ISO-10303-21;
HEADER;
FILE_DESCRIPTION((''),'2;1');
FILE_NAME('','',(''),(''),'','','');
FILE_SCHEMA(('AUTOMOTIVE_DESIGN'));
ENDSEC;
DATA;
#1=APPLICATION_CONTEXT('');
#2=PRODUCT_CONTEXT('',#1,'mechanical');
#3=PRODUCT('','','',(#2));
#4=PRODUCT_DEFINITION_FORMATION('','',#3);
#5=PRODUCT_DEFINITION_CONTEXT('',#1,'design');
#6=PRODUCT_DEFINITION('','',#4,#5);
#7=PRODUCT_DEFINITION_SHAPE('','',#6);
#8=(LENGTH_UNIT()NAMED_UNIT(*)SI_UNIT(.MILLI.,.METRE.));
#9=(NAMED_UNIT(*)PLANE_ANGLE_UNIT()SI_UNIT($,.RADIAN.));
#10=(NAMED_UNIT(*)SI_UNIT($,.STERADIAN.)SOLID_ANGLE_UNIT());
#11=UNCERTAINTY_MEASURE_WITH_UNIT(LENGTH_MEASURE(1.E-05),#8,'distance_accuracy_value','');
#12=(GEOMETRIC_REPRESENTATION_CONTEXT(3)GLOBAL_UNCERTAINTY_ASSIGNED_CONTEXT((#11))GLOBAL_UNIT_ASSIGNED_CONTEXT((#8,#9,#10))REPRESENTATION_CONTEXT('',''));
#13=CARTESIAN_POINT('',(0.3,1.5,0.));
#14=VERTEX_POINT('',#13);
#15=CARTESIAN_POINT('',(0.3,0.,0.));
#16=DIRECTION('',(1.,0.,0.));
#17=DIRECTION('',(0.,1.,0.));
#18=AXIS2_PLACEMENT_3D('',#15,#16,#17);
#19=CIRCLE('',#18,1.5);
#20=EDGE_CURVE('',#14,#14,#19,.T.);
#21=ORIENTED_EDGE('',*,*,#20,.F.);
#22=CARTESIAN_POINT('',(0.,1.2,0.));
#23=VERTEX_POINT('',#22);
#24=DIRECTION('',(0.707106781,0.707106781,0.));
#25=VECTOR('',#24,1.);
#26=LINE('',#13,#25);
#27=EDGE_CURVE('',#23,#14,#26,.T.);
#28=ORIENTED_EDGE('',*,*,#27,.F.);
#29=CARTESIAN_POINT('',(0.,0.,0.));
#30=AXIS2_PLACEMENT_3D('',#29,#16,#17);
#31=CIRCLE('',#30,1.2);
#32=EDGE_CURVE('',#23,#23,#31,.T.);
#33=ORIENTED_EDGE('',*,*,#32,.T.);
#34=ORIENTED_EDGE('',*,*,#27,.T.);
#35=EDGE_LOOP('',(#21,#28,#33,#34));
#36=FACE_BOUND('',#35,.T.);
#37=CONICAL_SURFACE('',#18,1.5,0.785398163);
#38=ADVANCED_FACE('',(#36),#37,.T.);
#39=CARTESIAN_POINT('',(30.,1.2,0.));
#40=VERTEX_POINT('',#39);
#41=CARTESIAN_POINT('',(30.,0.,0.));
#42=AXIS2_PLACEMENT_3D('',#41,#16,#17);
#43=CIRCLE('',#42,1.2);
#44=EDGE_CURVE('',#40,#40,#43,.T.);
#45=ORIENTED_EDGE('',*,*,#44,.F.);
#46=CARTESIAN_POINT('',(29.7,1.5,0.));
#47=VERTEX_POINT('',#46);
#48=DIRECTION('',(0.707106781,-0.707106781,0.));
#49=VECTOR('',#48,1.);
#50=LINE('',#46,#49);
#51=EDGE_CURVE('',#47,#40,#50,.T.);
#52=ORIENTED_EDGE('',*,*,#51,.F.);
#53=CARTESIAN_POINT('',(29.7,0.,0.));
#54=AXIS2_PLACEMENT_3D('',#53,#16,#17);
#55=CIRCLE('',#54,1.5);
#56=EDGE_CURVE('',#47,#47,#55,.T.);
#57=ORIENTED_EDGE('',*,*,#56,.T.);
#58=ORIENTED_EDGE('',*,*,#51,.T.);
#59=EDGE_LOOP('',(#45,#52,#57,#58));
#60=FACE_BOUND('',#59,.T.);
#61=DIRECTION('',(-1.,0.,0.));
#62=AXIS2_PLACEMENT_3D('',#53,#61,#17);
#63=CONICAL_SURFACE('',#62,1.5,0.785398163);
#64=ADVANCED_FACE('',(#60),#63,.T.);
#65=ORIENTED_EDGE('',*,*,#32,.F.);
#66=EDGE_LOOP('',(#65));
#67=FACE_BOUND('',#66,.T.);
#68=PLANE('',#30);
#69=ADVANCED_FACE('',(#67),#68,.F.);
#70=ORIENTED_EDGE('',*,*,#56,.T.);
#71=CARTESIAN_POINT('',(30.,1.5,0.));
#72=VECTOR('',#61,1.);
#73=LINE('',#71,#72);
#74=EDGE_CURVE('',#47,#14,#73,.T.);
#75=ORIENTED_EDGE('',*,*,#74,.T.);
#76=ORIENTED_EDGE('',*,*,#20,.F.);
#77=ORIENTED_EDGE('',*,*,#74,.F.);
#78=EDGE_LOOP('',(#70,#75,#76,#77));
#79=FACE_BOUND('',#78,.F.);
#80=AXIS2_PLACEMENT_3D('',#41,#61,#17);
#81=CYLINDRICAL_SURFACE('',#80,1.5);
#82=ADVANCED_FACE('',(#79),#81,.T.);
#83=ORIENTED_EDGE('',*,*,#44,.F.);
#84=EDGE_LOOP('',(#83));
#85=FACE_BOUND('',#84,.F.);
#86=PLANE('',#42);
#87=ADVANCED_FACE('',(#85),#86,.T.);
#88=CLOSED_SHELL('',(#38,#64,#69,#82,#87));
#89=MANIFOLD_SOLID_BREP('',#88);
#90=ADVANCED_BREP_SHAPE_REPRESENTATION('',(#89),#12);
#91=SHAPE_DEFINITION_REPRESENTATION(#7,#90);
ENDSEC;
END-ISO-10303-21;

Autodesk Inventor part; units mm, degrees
ref_plane "YZ Plane" through (0, 0, 0) normal (1, 0, 0) x (0, 1, 0)
ref_plane "XZ Plane" through (0, 0, 0) normal (0, 1, 0) x (-1, 0, 0)
ref_plane "XY Plane" through (0, 0, 0) normal (0, 0, 1) x (1, 0, 0)
sketch "Skizze1" plane through (0, 0, 0) normal (0, 0, 1) x (1, 0, 0)
  line L0 (0, -0.3) -> (0, 1.8) projected
  line L1 (-6, 0) -> (36, 0) projected
  line L2 (0, 0) -> (30, 0)
  line L3 (30, 0) -> (30, 1.5)
  line L4 (30, 1.5) -> (0, 1.5)
  line L5 (0, 1.5) -> (0, 0)
  dimension "d0" = 3
  dimension "d1" = 30
revolve "Umdrehung1" add sketch "Skizze1" angle 360 about axis through (-10, 0, 0) along (1, 0, 0)
thread "Gewinde1" size "M3x0.5" class "6g" standard "ANSI Metric M Profile" length 3
thread "Gewinde2" size "M3x0.5" class "6g" standard "ANSI Metric M Profile" length 3
chamfer "Fase1" distance 0.3 angle 45 2 edges at (0, -1.5, 0) (30, -1.5, 0)
properties part number "Pleuel"
